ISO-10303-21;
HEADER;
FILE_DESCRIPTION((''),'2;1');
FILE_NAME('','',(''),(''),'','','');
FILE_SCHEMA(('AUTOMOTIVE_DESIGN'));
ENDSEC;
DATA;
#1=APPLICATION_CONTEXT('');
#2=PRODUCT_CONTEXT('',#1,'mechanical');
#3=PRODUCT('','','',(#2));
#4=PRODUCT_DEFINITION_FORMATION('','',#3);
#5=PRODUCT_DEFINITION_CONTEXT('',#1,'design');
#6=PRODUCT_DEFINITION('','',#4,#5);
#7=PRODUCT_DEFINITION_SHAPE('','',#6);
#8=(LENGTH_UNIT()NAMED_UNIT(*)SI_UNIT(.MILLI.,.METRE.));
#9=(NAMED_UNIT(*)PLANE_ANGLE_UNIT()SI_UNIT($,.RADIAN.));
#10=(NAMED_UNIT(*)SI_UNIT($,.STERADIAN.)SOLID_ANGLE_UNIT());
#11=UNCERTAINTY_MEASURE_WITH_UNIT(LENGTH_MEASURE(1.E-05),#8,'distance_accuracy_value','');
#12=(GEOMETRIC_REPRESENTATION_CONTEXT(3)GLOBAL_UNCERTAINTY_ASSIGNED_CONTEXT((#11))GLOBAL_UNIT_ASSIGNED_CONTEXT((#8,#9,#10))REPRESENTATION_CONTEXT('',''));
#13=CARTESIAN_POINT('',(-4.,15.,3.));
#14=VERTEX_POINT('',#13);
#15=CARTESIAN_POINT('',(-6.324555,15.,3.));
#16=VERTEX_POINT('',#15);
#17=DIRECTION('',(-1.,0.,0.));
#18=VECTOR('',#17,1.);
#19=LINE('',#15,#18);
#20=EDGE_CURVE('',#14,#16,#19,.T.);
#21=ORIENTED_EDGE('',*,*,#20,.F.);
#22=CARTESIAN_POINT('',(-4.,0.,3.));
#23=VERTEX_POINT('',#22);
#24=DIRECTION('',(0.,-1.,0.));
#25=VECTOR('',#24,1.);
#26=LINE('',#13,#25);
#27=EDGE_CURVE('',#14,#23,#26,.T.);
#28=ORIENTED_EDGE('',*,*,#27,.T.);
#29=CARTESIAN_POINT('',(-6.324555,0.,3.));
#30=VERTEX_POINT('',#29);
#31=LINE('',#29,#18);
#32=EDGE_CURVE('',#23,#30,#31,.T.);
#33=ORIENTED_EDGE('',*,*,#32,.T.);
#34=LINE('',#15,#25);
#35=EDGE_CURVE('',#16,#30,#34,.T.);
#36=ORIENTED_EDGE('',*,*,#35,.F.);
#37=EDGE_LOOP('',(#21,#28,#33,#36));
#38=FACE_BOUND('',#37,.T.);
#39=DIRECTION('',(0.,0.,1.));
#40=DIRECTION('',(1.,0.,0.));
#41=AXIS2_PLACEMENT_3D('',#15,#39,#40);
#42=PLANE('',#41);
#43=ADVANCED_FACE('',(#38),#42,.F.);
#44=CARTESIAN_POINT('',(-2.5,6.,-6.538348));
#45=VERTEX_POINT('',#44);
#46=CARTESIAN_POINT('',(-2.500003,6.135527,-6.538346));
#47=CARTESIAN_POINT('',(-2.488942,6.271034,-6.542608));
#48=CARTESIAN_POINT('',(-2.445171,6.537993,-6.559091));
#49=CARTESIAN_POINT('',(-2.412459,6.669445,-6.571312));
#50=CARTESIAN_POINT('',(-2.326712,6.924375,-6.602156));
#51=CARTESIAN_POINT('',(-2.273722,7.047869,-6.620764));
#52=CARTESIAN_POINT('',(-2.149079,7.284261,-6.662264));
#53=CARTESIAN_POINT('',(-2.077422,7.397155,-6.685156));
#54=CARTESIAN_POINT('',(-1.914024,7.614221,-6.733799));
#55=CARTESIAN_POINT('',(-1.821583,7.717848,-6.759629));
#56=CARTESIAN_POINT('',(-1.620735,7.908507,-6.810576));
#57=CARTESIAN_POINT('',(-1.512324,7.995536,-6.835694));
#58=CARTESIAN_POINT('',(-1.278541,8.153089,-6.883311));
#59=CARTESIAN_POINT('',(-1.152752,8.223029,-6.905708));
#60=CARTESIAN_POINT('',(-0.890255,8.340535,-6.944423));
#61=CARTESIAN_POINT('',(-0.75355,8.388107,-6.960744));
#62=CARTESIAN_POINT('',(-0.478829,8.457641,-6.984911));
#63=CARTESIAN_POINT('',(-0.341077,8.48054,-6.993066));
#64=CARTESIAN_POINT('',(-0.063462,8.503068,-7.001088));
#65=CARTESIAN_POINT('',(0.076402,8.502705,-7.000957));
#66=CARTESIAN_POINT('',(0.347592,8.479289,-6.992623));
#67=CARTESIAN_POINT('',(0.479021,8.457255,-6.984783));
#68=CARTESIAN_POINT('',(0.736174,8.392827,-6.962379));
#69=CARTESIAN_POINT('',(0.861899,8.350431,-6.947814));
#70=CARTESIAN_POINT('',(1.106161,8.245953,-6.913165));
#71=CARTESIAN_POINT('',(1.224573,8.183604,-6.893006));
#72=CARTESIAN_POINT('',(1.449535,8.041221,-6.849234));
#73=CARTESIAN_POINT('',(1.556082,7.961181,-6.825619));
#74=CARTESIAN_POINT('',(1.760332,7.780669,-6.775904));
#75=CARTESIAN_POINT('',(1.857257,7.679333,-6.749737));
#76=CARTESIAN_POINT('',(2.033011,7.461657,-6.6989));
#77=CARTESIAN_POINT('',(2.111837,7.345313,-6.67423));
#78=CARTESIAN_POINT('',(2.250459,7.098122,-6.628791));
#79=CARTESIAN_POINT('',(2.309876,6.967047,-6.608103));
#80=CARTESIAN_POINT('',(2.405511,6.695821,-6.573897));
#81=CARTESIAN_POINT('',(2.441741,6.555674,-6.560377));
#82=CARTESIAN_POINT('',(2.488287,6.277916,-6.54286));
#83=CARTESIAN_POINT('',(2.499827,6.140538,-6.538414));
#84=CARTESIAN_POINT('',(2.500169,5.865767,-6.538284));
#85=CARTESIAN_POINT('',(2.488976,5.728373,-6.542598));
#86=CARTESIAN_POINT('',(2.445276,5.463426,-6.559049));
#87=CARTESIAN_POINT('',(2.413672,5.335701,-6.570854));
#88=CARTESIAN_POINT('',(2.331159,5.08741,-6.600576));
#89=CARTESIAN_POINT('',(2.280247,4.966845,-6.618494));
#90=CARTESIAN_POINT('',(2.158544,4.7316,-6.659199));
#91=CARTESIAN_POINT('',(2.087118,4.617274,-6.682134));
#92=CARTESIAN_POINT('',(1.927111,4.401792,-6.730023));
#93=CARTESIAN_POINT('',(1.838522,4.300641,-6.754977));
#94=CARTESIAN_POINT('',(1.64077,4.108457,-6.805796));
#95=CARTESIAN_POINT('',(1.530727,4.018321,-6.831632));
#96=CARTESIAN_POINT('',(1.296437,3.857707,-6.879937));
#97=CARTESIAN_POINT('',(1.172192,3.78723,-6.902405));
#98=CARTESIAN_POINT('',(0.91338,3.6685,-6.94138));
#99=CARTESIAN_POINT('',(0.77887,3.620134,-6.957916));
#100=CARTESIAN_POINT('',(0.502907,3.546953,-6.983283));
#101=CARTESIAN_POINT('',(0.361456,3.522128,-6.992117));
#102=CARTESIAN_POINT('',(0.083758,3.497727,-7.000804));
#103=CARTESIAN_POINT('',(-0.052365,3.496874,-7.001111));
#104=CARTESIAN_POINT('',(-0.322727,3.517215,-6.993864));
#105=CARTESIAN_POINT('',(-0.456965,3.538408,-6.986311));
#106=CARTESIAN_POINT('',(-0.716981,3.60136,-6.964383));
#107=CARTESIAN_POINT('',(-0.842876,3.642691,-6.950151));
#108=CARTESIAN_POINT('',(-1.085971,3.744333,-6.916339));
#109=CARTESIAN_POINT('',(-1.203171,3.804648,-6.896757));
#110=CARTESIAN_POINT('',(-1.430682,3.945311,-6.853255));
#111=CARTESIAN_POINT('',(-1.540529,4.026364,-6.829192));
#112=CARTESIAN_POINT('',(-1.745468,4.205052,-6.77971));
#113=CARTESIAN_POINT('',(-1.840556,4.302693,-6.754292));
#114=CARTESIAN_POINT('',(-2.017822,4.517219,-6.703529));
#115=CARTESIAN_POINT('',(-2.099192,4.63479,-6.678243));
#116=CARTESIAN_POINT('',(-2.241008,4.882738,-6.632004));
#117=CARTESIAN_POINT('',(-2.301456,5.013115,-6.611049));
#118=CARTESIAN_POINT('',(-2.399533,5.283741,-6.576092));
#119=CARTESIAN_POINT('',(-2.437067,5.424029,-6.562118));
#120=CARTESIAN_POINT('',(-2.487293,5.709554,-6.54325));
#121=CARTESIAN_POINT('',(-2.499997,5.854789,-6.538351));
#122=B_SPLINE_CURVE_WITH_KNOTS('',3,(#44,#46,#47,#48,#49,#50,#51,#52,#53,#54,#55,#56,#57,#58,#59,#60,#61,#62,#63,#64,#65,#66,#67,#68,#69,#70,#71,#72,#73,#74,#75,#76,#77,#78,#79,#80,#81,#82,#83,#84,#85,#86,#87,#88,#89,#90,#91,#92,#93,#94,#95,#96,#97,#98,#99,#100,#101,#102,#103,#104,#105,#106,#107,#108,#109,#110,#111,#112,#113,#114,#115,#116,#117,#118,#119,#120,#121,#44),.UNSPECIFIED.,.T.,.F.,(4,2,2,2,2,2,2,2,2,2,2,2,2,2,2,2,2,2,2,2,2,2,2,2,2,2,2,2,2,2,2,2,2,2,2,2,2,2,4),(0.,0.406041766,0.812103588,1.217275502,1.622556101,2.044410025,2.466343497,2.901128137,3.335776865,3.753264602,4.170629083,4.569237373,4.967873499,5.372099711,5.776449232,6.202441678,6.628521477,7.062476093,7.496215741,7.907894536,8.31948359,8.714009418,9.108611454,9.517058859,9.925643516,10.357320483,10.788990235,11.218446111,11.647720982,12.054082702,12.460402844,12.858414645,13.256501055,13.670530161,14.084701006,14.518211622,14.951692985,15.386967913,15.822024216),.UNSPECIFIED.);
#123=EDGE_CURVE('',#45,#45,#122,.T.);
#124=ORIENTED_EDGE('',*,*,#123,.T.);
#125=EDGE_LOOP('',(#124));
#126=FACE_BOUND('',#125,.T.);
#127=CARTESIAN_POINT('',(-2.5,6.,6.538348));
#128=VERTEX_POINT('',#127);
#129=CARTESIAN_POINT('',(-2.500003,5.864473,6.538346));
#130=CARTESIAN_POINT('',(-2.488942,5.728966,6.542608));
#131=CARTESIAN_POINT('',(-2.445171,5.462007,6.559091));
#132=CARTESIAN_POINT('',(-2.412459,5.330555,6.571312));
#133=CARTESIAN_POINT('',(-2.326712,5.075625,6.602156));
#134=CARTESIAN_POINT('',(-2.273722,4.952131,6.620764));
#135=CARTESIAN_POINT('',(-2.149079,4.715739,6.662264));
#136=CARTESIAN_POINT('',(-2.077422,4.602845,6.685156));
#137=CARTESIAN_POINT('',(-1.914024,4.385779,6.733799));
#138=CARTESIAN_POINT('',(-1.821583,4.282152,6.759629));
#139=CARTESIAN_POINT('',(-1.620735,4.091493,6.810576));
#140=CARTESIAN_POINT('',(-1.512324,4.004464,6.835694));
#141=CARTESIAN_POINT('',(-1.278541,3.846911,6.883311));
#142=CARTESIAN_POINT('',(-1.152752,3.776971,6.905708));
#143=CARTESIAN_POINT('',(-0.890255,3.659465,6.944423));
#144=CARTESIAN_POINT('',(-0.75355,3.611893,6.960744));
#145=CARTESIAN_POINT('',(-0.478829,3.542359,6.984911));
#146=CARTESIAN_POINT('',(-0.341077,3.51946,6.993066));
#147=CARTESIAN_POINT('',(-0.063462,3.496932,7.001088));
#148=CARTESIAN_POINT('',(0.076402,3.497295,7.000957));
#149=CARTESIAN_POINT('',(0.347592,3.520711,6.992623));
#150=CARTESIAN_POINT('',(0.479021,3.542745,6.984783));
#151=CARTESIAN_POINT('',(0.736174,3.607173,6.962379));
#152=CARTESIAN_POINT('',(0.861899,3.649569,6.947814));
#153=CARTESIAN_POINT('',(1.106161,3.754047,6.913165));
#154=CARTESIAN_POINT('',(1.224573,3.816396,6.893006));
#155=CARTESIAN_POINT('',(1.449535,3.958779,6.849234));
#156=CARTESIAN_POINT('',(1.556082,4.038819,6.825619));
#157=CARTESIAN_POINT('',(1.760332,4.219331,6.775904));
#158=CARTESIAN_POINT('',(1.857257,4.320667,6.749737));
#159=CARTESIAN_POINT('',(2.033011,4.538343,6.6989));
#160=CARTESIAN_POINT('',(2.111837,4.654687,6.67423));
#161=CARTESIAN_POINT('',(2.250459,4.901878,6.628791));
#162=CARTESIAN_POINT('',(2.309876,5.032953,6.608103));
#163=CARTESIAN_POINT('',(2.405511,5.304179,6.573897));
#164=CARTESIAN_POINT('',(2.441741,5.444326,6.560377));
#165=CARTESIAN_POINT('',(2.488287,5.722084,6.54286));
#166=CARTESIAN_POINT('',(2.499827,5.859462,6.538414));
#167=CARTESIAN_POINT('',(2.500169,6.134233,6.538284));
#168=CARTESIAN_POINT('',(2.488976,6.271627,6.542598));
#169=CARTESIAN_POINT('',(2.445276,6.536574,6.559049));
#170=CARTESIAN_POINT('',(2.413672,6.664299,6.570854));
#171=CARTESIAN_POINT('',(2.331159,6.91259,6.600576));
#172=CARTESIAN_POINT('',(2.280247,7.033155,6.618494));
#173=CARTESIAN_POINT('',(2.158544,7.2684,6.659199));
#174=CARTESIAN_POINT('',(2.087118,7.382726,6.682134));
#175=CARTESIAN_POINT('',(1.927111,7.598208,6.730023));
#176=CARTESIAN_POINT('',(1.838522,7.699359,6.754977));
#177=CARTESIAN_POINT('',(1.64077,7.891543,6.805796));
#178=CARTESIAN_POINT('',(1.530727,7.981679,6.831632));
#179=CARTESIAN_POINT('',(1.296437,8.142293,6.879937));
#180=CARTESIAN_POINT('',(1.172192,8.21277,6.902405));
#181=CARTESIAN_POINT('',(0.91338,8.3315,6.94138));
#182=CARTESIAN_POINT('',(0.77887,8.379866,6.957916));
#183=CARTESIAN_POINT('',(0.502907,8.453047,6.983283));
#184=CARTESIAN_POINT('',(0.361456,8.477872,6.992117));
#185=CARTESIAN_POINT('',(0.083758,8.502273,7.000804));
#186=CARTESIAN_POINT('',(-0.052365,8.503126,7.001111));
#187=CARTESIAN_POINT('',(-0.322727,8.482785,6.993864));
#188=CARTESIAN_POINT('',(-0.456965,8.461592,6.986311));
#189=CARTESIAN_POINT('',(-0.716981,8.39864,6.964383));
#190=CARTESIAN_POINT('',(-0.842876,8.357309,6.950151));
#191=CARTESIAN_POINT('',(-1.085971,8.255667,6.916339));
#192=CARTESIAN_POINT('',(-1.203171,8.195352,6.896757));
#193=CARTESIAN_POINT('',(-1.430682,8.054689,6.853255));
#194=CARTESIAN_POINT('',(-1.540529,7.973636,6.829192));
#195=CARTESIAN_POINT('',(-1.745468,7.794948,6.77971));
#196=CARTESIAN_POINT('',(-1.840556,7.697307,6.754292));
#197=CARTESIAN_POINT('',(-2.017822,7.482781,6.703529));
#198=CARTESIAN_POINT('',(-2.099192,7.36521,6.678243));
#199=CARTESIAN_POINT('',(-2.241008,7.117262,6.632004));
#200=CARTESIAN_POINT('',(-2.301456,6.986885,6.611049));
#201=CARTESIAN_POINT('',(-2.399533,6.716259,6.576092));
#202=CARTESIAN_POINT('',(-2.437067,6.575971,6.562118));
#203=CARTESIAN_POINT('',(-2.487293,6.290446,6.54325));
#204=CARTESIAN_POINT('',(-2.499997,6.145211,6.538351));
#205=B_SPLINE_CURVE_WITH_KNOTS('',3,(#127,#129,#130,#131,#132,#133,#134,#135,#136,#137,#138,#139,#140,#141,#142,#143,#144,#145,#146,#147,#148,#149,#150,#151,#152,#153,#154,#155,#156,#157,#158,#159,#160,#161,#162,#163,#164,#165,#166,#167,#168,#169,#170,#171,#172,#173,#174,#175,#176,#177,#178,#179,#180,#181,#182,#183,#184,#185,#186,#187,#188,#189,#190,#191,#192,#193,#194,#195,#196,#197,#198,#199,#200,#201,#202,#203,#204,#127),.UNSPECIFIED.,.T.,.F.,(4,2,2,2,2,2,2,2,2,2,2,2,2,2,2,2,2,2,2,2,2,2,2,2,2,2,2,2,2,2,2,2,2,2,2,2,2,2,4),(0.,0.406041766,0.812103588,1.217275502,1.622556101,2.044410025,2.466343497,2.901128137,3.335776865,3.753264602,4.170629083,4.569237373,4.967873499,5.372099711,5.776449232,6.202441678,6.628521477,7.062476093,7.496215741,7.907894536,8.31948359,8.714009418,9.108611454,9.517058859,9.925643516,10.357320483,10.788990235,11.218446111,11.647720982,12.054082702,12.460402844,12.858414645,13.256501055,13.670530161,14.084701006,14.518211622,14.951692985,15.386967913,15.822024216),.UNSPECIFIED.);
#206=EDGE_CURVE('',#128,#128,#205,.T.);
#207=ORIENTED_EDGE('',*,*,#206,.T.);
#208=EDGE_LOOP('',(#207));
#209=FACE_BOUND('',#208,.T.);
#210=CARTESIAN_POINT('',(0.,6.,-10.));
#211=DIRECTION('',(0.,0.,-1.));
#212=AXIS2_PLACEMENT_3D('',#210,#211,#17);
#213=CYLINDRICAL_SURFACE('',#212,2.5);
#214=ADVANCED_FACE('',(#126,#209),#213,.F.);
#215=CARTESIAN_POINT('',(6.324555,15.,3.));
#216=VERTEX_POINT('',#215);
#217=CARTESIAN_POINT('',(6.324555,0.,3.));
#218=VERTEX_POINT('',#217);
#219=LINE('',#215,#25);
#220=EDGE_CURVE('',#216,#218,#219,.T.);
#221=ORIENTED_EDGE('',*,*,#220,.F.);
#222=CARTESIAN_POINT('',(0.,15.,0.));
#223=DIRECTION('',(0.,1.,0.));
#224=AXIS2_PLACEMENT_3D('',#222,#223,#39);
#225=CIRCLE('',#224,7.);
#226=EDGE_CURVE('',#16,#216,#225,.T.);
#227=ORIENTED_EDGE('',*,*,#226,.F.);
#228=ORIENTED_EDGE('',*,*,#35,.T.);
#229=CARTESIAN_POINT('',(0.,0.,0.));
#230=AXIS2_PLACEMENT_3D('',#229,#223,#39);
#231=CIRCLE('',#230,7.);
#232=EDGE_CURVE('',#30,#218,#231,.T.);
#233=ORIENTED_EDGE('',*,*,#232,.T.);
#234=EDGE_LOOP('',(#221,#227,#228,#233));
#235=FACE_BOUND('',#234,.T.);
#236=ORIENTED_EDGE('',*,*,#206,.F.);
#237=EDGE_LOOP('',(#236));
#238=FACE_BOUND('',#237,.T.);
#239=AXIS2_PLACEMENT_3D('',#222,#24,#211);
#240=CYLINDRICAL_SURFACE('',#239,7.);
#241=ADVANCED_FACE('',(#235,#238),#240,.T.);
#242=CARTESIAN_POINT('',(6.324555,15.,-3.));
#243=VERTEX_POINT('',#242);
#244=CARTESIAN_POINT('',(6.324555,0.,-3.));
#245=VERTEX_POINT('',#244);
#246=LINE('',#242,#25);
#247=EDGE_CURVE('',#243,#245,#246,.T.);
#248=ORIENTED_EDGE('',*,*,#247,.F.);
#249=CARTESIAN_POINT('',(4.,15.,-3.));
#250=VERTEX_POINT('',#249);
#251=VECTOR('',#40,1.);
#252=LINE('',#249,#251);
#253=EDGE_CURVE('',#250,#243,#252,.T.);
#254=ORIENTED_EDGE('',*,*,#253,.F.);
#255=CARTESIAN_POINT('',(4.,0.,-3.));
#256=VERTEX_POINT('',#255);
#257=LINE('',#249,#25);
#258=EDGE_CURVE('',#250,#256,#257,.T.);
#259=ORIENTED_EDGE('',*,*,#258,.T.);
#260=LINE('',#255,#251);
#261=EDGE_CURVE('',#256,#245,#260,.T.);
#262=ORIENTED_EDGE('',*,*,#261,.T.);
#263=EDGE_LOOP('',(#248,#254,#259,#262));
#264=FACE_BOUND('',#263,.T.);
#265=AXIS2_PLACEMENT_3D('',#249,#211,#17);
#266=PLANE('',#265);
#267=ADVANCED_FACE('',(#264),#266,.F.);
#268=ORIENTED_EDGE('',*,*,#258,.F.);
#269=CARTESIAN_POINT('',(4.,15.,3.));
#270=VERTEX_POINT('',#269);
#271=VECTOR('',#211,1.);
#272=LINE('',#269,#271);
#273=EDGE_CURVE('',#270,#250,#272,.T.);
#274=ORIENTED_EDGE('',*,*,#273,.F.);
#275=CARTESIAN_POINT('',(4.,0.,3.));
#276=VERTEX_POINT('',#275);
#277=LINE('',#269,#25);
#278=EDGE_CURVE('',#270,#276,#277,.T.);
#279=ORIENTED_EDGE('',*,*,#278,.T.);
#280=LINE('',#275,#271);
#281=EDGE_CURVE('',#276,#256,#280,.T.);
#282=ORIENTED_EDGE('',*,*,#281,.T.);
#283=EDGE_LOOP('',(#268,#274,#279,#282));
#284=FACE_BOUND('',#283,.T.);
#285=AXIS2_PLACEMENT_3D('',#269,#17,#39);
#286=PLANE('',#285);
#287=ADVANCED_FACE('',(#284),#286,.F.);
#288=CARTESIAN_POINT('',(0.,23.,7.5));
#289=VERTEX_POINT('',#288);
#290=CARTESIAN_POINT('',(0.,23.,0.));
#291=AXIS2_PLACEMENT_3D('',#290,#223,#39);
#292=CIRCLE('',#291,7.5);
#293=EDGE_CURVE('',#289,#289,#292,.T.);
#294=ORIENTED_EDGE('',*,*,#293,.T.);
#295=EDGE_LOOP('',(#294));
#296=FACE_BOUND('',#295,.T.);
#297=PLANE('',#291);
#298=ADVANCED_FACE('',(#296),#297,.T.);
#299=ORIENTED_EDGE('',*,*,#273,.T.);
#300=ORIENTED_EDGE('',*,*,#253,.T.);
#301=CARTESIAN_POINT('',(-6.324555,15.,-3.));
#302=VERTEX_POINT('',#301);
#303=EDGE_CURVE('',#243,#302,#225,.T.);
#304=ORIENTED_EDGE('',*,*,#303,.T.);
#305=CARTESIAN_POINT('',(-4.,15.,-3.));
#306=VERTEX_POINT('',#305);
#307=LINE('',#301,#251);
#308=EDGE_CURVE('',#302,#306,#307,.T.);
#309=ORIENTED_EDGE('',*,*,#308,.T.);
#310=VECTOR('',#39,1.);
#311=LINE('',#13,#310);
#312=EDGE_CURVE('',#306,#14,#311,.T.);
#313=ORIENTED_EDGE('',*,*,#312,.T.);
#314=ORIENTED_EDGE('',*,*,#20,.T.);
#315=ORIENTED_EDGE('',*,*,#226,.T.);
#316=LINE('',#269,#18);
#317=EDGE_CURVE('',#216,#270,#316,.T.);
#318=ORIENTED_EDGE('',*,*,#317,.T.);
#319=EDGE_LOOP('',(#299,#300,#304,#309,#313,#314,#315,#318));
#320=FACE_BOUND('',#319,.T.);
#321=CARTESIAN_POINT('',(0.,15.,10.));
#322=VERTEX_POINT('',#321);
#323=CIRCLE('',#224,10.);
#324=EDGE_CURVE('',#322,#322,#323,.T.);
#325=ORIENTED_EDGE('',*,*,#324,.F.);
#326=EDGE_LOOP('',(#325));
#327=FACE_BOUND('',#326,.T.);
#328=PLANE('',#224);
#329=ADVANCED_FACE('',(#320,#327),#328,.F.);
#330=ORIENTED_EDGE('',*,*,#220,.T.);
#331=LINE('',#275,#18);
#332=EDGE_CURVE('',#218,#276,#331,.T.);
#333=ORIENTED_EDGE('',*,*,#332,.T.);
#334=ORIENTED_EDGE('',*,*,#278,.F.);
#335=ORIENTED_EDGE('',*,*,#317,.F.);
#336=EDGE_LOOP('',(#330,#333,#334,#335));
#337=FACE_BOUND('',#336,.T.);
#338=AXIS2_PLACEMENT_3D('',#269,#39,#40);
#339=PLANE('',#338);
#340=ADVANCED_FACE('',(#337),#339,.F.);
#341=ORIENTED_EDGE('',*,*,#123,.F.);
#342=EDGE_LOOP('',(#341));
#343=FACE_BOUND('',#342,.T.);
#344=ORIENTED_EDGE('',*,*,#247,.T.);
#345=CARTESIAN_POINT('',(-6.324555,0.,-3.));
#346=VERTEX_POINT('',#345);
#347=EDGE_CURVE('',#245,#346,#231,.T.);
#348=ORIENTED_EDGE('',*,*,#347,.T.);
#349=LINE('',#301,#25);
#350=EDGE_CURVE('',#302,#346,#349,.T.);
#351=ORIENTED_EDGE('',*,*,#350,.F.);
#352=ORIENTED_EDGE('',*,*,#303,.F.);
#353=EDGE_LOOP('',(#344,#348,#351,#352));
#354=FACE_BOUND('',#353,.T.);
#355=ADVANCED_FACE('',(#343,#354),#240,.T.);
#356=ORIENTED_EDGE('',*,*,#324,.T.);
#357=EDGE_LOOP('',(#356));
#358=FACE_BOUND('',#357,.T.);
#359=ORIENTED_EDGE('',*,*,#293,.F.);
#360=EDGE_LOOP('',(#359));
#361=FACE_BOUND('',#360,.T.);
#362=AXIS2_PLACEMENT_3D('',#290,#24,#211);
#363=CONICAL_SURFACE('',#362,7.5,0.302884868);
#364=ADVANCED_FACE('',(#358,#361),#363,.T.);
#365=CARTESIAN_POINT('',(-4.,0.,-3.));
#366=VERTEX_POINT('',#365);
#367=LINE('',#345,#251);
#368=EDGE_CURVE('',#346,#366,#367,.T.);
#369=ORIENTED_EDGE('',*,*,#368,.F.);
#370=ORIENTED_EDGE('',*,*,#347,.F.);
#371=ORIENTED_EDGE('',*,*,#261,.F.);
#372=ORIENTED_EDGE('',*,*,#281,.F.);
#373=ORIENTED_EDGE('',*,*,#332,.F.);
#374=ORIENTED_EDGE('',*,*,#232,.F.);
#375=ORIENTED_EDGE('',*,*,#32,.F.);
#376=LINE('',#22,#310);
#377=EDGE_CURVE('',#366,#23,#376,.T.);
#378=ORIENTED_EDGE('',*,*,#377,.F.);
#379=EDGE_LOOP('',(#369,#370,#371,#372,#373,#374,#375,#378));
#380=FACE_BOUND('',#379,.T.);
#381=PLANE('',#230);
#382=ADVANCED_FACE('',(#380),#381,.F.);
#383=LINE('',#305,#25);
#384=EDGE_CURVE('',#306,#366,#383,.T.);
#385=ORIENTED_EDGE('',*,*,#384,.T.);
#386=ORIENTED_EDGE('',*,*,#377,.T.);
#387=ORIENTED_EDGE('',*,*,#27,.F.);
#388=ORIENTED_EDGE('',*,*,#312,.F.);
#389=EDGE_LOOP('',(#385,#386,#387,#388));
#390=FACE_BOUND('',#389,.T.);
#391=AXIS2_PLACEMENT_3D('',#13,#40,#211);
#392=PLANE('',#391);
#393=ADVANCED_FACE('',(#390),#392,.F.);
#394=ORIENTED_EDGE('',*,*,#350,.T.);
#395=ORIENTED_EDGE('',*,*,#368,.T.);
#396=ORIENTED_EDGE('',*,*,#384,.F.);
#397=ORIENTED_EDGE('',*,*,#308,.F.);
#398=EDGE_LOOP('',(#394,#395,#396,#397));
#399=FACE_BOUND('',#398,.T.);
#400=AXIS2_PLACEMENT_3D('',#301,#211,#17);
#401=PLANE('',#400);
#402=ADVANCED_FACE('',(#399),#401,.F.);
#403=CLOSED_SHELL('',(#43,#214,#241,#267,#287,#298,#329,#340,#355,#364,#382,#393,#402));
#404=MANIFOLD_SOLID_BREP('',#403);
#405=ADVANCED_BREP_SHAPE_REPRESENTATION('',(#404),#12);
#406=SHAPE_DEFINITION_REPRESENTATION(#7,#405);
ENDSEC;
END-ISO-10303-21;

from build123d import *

# Parameters (mm, degrees)
BOSS_EXTRUDE1_DEPTH     = 15
SKETCH3_R               = 7.5
SKETCH2_R               = 10
SKETCH4_R               = 2.5
CUT_EXTRUDE1_DEPTH      = 22.0000001
CUT_EXTRUDE1_DEPTH_BACK = 1


with BuildPart() as part:
    # Sketch1 → Boss-Extrude1 (new body)
    with BuildSketch(Plane(origin=(0, 0, 0), x_dir=(1, 0, 0), z_dir=(0, 1, 0))):
        with BuildLine():
            Line((-6.32455532, -3), (-4, -3))
            Line((-4, -3), (-4, 3))
            Line((-4, 3), (-6.32455532, 3))
            ThreePointArc((-6.32455532, 3), (0, 7), (6.32455532, 3))
            Line((6.32455532, 3), (4, 3))
            Line((4, 3), (4, -3))
            Line((4, -3), (6.32455532, -3))
            ThreePointArc((6.32455532, -3), (0, -7), (-6.32455532, -3))
        make_face()
    extrude(amount=BOSS_EXTRUDE1_DEPTH)

    # Sketch3 → Loft1 section 0
    with BuildSketch(Plane(origin=(0, 23, 0), x_dir=(1, 0, 0), z_dir=(0, 1, 0))):
        Circle(SKETCH3_R)
    # Sketch2 → Loft1 section 1
    with BuildSketch(Plane(origin=(0, 15, 0), x_dir=(1, 0, 0), z_dir=(0, 1, 0))):
        Circle(SKETCH2_R)
    loft()

    # Sketch4 → Cut-Extrude1 (cut, two sides)
    with BuildSketch(Plane.XY.offset(-11)) as cut_extrude1_sk:
        with Locations((0, 6)):
            Circle(SKETCH4_R)
    extrude(amount=CUT_EXTRUDE1_DEPTH, mode=Mode.SUBTRACT)
    extrude(cut_extrude1_sk.sketch, amount=-CUT_EXTRUDE1_DEPTH_BACK, mode=Mode.SUBTRACT)


solid = part.part
